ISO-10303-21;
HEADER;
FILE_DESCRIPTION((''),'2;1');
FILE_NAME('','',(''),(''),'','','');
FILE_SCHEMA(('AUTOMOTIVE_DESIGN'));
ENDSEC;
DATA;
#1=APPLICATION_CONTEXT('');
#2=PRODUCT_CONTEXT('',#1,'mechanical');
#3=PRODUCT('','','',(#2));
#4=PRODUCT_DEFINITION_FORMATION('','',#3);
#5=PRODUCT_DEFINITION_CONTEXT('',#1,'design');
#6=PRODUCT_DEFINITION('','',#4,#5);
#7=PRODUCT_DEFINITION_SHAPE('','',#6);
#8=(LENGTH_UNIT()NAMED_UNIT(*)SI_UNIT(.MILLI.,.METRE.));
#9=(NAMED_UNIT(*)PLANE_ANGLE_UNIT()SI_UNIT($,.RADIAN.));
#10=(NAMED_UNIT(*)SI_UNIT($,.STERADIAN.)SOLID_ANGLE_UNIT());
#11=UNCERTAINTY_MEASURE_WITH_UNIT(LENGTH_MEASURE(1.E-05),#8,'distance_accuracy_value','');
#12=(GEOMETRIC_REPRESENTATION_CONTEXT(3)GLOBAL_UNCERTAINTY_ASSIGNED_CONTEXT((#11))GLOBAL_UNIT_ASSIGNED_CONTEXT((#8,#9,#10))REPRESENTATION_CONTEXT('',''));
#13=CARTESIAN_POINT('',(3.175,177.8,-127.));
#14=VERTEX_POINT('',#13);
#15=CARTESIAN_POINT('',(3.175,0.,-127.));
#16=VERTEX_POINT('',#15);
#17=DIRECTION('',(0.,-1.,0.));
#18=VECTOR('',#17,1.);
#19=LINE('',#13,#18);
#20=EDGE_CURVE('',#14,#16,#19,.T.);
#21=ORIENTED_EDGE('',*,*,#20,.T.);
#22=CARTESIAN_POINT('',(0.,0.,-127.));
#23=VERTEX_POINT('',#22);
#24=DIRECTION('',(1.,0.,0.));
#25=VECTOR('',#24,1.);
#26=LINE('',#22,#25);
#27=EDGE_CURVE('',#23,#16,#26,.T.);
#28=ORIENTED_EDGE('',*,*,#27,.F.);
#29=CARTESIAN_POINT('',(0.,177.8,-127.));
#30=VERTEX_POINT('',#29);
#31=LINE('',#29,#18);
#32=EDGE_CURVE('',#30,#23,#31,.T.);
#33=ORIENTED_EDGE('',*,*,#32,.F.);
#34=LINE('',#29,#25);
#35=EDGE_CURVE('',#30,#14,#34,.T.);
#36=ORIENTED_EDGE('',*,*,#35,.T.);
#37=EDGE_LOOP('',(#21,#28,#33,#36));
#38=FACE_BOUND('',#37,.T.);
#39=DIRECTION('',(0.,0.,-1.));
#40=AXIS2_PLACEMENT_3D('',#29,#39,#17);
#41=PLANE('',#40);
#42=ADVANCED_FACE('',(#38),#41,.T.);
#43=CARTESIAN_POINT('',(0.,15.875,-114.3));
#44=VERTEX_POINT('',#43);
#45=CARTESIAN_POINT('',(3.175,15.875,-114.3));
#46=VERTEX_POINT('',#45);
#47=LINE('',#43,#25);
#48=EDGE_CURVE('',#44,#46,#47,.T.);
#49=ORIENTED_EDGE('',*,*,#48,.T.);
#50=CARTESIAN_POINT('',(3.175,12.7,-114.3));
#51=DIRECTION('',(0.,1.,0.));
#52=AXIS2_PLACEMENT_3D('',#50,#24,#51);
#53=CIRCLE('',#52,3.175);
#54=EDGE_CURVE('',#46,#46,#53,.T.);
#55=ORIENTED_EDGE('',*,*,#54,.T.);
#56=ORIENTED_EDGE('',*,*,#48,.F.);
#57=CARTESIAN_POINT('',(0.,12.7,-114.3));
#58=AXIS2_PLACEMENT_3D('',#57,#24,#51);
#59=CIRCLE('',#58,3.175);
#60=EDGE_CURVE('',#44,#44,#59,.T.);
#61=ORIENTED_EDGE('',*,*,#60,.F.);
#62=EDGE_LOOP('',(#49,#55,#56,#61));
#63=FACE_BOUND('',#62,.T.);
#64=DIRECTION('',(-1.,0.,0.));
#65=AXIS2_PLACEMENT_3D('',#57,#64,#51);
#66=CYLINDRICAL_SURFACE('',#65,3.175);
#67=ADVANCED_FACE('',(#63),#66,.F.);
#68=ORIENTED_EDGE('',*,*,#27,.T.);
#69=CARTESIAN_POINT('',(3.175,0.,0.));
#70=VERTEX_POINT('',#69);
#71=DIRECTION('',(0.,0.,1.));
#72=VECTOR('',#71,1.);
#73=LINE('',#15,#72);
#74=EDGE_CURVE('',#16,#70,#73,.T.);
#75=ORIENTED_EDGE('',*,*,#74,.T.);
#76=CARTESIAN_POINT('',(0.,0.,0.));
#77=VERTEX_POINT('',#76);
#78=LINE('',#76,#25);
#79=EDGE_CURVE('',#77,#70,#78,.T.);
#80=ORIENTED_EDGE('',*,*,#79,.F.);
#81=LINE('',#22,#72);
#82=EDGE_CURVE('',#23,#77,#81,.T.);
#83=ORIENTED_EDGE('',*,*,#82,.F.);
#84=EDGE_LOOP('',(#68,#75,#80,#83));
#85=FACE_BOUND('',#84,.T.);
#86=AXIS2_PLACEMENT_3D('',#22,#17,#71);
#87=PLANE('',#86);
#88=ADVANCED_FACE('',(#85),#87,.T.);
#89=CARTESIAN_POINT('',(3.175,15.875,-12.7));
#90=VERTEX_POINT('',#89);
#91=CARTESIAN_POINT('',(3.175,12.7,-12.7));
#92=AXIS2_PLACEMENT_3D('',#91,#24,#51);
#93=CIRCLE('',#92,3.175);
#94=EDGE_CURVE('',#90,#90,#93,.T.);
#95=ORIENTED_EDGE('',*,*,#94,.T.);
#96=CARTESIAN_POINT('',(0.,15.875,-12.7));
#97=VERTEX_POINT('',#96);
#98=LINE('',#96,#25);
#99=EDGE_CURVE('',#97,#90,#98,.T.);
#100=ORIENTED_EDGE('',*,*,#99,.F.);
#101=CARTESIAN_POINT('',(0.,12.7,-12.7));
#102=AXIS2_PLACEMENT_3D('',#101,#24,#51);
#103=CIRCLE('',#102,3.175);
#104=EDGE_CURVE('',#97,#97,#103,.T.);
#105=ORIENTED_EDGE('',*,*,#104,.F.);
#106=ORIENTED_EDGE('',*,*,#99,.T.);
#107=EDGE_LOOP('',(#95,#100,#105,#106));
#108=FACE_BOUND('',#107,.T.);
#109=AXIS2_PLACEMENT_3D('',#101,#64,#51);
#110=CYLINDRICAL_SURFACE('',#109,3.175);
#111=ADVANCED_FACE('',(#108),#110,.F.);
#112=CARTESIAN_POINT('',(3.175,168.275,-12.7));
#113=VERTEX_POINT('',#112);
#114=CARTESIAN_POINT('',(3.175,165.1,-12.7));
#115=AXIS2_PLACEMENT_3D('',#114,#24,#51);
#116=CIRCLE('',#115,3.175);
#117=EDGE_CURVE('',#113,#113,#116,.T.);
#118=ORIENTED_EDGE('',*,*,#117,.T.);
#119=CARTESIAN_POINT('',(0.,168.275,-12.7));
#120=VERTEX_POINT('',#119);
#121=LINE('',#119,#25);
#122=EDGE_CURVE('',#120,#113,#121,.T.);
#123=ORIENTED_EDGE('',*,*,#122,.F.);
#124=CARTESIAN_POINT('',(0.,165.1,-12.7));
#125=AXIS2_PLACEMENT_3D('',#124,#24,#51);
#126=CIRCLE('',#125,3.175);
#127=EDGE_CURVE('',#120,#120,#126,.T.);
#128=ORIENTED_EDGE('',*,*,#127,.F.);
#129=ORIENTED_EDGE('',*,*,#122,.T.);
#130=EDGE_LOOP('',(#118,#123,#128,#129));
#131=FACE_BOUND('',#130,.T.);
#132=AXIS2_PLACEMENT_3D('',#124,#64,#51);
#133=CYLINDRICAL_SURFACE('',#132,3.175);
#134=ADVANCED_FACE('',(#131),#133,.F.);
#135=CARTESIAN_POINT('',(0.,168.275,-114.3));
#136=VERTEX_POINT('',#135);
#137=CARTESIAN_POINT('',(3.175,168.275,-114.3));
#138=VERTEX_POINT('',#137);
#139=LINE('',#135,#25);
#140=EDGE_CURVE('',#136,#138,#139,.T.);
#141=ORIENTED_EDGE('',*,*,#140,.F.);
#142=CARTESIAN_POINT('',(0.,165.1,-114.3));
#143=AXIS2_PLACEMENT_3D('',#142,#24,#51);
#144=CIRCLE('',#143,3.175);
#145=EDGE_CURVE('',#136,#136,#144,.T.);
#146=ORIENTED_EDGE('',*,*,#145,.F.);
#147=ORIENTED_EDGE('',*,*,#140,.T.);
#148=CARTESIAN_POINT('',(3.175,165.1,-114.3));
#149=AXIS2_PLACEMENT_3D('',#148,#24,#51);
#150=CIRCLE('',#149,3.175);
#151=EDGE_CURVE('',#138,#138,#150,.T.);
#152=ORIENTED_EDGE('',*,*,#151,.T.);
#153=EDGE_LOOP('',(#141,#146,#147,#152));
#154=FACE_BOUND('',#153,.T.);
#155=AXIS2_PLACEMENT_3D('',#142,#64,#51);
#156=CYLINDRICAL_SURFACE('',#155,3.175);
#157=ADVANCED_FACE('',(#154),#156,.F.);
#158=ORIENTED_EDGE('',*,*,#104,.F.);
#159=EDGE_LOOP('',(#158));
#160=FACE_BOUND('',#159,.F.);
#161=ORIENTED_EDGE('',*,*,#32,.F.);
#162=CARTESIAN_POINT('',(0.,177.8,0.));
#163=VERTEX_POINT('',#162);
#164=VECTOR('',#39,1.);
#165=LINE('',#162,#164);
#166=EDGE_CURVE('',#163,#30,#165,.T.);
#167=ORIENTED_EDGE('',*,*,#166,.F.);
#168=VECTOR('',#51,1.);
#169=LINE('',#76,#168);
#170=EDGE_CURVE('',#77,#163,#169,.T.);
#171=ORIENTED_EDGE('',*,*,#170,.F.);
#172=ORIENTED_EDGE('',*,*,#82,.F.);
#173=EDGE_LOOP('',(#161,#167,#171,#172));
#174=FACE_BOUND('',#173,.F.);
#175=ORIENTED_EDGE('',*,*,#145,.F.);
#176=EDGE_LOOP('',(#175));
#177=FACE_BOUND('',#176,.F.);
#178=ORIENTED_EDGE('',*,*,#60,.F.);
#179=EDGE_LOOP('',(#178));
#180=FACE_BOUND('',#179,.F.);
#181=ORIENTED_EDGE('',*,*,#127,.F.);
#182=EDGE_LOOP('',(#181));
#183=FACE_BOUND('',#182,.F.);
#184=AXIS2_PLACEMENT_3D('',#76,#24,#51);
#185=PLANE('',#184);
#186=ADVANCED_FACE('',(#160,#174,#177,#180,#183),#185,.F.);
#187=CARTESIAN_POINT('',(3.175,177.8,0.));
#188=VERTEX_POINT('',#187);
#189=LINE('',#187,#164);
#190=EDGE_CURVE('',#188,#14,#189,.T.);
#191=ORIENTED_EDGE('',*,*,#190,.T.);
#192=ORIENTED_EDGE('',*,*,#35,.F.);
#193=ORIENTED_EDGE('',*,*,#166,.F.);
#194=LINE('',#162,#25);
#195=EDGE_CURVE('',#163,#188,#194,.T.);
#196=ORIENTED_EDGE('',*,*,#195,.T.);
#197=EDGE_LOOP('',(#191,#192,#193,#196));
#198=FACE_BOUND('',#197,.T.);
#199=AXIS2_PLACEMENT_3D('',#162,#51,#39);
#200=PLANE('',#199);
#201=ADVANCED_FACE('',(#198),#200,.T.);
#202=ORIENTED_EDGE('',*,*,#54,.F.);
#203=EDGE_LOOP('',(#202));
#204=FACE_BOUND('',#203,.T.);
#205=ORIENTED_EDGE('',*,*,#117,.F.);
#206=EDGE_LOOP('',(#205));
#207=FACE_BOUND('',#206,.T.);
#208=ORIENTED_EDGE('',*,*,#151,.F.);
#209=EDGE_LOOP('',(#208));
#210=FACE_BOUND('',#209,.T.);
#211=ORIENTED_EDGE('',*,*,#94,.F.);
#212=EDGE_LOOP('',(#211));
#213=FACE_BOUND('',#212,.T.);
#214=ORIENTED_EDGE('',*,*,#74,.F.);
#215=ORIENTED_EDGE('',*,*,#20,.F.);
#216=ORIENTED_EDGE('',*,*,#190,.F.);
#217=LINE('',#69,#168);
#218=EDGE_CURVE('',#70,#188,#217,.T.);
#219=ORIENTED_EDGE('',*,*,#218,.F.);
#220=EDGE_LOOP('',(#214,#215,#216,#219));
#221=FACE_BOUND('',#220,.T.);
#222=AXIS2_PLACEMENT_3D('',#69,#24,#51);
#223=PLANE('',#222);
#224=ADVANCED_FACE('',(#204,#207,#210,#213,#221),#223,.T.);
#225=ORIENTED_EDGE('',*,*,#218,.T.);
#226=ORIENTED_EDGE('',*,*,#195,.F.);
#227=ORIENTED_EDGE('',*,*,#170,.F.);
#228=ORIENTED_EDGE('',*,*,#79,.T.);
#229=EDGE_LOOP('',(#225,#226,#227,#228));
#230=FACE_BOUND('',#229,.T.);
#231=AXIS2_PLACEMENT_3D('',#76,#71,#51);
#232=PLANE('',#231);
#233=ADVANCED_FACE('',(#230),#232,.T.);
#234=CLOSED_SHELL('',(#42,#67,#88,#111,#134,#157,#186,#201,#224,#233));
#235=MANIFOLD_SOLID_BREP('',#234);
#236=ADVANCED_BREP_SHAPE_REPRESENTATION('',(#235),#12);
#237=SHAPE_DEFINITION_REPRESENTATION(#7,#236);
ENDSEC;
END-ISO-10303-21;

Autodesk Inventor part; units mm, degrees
ref_plane "YZ Plane" through (0, 0, 0) normal (1, 0, 0) x (0, 1, 0)
ref_plane "XZ Plane" through (0, 0, 0) normal (0, 1, 0) x (-1, 0, 0)
ref_plane "XY Plane" through (0, 0, 0) normal (0, 0, 1) x (1, 0, 0)
sketch "Sketch1" plane through (0, 0, 0) normal (1, 0, 0) x (0, 1, 0)
  line L0 (0, 0) -> (177.8, 0)
  line L1 (177.8, 0) -> (177.8, -127)
  line L2 (177.8, -127) -> (0, -127)
  line L3 (0, -127) -> (0, 0)
  circle A0 centre (12.7, -12.7) radius 3.175
  circle A1 centre (165.1, -12.7) radius 3.175
  circle A2 centre (12.7, -114.3) radius 3.175
  circle A3 centre (165.1, -114.3) radius 3.175
  dimension "d0" = 12.7
  dimension "d1" = 12.7
  dimension "d2" = 12.7
  dimension "d3" = 12.7
  dimension "d4" = 12.7
  dimension "d5" = 12.7
  dimension "d6" = 12.7
  dimension "d7" = 12.7
  dimension "d8" = 152.4
  dimension "d9" = 101.6
  dimension "d10" = 6.35
extrude "Extrusion1" add sketch "Sketch1" along normal blind 3.175
properties part number "1512898-16-P-0701"
